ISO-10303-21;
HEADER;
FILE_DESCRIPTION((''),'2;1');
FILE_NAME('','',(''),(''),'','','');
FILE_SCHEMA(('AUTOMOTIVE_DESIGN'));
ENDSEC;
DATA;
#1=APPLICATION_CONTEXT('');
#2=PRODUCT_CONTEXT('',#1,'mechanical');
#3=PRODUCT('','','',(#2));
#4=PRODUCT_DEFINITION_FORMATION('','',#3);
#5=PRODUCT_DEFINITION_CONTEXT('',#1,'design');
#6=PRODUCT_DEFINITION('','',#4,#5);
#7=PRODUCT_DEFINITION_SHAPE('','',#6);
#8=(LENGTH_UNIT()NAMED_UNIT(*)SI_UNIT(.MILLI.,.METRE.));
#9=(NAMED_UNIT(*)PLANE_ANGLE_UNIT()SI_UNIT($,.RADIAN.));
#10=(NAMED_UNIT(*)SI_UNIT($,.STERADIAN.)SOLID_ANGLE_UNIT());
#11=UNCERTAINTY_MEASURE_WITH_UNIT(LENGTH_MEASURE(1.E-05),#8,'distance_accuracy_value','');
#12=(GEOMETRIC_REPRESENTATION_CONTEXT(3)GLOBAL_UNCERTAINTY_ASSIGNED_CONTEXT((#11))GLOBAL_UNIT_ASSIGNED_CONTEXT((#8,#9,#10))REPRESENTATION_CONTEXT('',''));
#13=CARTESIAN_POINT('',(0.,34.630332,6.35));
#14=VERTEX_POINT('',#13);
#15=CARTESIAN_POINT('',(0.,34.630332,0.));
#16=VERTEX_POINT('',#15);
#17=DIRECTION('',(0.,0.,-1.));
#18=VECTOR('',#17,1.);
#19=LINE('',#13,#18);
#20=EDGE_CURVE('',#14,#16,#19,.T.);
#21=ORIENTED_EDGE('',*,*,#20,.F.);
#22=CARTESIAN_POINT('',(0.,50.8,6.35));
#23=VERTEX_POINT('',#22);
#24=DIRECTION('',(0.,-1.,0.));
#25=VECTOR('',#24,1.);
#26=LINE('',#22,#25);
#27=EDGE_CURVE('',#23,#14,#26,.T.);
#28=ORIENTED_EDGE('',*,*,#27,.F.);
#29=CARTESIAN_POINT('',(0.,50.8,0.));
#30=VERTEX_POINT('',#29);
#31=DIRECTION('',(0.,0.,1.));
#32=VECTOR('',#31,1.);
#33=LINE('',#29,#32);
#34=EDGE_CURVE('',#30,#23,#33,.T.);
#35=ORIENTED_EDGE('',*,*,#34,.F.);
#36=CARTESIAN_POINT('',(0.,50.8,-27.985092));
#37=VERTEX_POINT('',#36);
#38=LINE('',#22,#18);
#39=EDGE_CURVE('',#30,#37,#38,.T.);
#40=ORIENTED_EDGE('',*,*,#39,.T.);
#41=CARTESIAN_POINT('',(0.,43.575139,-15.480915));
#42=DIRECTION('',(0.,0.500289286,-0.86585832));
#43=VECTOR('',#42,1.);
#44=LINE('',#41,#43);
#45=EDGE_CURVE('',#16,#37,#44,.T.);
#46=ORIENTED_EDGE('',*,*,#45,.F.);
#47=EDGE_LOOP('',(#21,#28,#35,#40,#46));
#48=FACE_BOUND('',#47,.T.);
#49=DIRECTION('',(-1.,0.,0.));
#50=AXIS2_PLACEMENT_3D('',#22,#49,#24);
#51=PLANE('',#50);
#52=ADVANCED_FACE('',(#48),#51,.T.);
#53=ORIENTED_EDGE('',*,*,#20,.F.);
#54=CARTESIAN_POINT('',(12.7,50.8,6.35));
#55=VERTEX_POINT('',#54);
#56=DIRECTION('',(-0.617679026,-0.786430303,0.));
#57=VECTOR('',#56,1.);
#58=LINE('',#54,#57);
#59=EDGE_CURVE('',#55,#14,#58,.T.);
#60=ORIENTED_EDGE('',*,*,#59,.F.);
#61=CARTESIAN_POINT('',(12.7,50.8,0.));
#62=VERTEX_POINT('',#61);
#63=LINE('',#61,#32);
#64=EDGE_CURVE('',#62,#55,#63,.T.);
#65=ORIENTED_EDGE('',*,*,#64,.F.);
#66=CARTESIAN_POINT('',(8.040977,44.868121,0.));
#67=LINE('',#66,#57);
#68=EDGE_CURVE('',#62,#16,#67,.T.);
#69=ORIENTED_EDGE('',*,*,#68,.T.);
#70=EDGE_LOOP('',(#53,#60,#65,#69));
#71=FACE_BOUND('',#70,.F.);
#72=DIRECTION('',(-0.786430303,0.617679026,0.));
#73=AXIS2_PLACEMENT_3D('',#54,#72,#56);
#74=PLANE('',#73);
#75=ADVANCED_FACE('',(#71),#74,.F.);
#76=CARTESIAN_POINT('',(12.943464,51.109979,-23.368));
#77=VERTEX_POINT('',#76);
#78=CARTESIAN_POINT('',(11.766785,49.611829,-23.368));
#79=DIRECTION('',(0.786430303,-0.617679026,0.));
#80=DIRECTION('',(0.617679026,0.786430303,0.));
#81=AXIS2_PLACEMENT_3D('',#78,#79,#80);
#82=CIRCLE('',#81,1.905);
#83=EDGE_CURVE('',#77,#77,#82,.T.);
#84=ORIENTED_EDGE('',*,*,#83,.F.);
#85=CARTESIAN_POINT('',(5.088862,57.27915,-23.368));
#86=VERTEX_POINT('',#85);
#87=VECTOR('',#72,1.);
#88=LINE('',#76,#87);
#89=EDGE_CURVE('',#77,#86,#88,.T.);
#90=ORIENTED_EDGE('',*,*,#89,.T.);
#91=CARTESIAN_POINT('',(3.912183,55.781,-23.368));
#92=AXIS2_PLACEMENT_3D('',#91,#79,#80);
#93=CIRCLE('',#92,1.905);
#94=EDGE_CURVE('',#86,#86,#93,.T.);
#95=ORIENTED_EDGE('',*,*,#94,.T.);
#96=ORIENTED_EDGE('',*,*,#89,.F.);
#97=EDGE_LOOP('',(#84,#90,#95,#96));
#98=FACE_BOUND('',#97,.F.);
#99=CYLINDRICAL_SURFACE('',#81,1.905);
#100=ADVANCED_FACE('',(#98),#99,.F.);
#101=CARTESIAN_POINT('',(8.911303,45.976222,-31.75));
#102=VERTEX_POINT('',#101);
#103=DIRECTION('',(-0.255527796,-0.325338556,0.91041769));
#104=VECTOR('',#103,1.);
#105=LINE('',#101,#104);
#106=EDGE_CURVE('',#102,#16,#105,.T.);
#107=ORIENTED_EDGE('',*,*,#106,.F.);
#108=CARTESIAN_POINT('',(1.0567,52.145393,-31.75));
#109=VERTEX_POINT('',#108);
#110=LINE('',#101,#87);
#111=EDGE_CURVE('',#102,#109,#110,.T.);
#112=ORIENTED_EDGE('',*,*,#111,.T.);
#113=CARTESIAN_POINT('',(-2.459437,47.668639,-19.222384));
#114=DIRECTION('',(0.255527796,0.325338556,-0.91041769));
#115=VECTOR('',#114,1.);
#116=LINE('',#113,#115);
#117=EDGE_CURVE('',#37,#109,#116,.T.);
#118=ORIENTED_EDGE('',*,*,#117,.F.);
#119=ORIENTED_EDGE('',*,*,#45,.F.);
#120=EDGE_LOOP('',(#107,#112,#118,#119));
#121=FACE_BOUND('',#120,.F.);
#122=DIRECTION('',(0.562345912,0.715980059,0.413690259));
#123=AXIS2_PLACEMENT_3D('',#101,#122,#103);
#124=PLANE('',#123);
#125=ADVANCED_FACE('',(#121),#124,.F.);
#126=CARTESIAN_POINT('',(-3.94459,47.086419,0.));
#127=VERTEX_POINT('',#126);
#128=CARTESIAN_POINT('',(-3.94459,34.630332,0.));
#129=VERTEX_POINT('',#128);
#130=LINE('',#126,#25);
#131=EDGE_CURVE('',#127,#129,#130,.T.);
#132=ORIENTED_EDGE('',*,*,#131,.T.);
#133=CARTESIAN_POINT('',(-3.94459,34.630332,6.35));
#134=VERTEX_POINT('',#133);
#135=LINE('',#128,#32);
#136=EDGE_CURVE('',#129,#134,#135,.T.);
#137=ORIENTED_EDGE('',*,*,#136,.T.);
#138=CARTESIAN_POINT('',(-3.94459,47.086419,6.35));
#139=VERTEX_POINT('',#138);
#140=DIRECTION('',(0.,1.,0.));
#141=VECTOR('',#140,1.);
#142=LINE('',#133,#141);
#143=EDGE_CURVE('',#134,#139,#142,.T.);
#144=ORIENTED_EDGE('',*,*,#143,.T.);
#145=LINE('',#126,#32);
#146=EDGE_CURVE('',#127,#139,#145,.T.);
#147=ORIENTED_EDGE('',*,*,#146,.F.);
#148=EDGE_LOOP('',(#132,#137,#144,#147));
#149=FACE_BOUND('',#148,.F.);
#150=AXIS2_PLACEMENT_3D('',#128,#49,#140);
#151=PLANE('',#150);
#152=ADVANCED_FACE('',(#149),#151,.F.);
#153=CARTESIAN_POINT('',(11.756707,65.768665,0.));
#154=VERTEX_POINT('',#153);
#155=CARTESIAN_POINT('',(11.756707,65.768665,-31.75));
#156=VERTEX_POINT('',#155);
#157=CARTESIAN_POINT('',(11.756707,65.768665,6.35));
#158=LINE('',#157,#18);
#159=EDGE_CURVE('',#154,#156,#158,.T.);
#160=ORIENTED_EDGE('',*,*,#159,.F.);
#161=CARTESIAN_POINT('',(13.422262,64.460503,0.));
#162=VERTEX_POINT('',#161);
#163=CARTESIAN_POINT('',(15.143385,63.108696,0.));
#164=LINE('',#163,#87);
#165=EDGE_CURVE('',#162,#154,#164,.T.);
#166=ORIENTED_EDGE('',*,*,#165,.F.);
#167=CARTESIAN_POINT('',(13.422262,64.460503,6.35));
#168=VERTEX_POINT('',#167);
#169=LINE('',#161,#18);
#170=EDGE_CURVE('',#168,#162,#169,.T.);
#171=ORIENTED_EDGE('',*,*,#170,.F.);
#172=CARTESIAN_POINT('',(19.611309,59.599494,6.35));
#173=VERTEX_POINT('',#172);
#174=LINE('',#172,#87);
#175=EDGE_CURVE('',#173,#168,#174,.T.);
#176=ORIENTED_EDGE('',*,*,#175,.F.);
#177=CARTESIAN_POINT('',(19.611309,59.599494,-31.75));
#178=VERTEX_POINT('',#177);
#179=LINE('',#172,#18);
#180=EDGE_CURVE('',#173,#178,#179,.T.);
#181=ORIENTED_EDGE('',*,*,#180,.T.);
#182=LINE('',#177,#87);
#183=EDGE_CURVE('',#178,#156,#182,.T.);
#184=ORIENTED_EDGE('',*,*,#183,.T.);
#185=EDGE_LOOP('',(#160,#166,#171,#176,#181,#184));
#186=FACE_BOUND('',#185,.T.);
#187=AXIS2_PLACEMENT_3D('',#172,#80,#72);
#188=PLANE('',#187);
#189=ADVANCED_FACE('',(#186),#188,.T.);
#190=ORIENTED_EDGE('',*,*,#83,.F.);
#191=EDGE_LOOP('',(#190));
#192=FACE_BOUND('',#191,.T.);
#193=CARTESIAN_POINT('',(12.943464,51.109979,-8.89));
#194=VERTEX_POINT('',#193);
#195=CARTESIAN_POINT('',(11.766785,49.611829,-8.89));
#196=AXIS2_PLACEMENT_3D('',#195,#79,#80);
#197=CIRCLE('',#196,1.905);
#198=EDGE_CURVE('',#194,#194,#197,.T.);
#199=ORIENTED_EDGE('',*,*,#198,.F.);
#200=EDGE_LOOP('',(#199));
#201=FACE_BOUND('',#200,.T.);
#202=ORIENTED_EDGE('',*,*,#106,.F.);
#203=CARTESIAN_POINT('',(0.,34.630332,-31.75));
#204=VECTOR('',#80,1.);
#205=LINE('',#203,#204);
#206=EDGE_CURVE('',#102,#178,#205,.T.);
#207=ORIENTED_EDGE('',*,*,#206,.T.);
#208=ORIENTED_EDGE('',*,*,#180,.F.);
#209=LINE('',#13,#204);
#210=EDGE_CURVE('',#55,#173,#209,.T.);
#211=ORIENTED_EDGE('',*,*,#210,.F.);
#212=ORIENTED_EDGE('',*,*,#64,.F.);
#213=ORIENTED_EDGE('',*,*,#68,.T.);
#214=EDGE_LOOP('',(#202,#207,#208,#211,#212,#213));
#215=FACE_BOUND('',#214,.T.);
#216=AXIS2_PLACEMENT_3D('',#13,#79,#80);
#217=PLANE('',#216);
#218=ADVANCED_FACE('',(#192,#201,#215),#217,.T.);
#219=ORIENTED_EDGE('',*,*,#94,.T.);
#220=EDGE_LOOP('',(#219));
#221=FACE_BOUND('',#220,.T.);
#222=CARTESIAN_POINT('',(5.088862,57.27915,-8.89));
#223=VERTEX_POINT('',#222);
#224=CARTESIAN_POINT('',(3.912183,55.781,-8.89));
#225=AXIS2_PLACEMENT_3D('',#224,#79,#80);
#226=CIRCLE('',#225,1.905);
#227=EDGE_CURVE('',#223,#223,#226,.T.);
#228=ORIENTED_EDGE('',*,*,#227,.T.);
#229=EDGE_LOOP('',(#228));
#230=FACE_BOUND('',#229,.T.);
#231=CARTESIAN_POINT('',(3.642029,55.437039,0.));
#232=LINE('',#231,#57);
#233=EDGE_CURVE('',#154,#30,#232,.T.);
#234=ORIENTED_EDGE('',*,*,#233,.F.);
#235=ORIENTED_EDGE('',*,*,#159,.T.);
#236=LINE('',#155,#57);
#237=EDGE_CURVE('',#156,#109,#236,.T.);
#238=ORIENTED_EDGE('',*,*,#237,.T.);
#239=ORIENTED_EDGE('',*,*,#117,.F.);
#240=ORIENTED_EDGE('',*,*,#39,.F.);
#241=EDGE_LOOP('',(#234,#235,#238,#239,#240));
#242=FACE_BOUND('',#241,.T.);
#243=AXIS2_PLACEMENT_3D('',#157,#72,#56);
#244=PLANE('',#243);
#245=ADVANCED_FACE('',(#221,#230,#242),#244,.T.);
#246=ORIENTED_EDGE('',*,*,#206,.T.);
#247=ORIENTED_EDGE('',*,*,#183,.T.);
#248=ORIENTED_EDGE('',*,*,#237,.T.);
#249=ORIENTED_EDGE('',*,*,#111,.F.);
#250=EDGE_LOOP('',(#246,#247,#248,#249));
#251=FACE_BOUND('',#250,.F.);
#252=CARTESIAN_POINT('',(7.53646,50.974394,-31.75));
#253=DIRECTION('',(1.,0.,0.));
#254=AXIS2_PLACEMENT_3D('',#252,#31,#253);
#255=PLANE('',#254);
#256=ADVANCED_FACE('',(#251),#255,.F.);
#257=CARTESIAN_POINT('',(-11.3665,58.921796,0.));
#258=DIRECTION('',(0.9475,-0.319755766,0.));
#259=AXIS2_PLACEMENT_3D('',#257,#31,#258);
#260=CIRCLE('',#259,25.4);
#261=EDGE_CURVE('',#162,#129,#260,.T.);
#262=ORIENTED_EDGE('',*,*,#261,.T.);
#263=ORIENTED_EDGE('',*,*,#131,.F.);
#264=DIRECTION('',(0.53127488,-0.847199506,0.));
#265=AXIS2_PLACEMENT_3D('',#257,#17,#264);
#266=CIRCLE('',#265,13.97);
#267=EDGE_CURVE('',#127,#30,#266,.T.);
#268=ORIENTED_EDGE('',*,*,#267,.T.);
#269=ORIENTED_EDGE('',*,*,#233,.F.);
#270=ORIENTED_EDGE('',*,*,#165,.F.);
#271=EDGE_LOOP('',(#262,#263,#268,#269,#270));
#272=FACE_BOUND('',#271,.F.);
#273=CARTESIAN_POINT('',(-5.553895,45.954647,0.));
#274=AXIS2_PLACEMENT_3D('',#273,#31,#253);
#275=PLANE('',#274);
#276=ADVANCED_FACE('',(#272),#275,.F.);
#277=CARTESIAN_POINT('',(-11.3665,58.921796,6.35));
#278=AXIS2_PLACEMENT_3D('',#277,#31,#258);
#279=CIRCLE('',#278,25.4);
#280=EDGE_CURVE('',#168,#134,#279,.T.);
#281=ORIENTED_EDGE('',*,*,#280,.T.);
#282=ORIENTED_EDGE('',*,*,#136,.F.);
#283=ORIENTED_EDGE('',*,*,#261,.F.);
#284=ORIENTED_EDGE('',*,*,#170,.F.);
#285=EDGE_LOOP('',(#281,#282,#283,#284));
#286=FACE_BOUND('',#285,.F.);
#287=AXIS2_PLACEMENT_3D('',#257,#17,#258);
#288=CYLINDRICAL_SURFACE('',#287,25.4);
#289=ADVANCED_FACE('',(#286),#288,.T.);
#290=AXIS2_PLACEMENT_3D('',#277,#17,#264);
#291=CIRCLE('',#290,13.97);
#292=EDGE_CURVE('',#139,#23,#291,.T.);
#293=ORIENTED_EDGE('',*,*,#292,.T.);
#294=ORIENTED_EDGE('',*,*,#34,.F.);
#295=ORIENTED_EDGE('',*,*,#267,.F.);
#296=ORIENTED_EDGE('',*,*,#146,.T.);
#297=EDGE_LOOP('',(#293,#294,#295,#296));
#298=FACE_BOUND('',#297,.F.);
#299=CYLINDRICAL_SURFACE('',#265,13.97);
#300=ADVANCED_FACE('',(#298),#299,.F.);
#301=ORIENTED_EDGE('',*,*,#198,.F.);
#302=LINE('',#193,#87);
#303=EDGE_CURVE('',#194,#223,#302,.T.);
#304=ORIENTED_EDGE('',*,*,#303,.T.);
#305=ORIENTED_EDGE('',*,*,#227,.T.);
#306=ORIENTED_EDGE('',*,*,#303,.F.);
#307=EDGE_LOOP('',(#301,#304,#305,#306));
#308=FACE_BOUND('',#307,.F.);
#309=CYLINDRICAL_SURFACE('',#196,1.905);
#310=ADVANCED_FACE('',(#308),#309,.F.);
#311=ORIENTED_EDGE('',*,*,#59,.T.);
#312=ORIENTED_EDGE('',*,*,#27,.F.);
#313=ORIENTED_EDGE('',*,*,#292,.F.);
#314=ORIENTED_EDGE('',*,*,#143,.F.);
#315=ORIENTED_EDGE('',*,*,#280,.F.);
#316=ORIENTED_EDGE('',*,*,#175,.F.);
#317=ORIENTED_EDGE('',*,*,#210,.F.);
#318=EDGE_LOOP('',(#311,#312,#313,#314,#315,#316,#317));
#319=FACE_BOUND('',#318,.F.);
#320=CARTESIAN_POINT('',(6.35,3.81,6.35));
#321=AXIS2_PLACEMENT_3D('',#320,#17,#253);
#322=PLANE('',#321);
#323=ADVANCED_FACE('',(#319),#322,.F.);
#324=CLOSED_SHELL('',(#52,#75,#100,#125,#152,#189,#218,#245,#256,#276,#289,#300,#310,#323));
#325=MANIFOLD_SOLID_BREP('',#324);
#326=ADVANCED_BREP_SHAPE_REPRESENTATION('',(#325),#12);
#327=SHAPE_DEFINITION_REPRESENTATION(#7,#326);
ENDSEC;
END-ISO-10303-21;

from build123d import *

# Parameters (mm, degrees)
F1_DEPTH      = 6.35
F2_W          = 25.4
F2_H          = 7.62
F3_DEPTH      = 50.8
F3_DEPTH_BACK = 6.35
F4_R          = 1.905
F5_DEPTH      = 25.4
F6_W          = 25.4
F6_H          = 12.7
F7_DEPTH      = 25.4
F9_DEPTH      = 50.8
F11_DEPTH     = 38.1
F12_R         = 1.905
F13_DEPTH     = 25.4
F15_DEPTH     = 25.4


with BuildPart() as f1:
    # F0 (on Top) → F1 (new body)
    with BuildSketch(Plane.XY):
        with BuildLine():
            Line((0, 50.8), (0, 0))
            Line((0, 0), (12.7, 0))
            Line((12.7, 0), (12.7, 50.8))
            ThreePointArc((12.7, 50.8), (-29.065215599, 77.1403437723), (-3.9445899309, 34.6303318914))
            Line((-3.9445899309, 34.6303318914), (-3.9445899309, 47.0864193681))
            ThreePointArc((-3.9445899309, 47.0864193681), (-20.9424468727, 69.0934306211), (0, 50.8))
        make_face()
    extrude(amount=F1_DEPTH)

    # F2 (on face) → F3 (join, two sides)
    with BuildSketch(Plane(origin=(0, 0, 0), x_dir=(1, 0, 0), z_dir=(0, 0, -1))) as f3_sk:
        with Locations((6.35, -3.81)):
            Rectangle(F2_W, F2_H)
    extrude(amount=F3_DEPTH)
    extrude(f3_sk.sketch, amount=-F3_DEPTH_BACK)

    # F4 (on face) → F5 (cut)
    with BuildSketch(Plane.XZ):
        with Locations((6.35, -8.89)):
            Circle(F4_R)
        with Locations((6.35, -23.368)):
            Circle(F4_R)
    extrude(amount=-F5_DEPTH, mode=Mode.SUBTRACT)

    # F6 (on face) → F7 (cut)
    with BuildSketch(Plane(origin=(0, 7.62, 0), x_dir=(-1, 0, 0), z_dir=(0, 1, 0))):
        with Locations((-6.35, -44.45)):
            Rectangle(F6_W, F6_H)
    extrude(amount=-F7_DEPTH, mode=Mode.SUBTRACT)

    # F8 (on face) → F9 (cut)
    with BuildSketch(Plane.XY.offset(6.35)):
        Polygon((12.7, 50.8), (0, 34.6303318914), (0, 17.3151659457), (-24.9700341374, 14.0488371253), (-24.9700341374, -25.5910921842), (41.8248102069, -22.4698372185), (37.4550558627, 0), (37.4550558627, 34.6303318914), align=None)
    extrude(amount=-F9_DEPTH, mode=Mode.SUBTRACT)

    # F10 (on face) → F11 (join)
    with BuildSketch(Plane.XY.offset(6.35)):
        Polygon((0, 50.8), (0, 34.6303318914), (19.6113090693, 59.5994940036), (11.7567067815, 65.7686650951), align=None)
    extrude(amount=-F11_DEPTH)

    # F12 (on face) → F13 (cut)
    with BuildSketch(Plane(origin=(-16.8220820781, 13.2124197576, 0), x_dir=(0.6176790258, 0.7864303027, 0), z_dir=(0.7864303027, -0.6176790258, 0))):
        with Locations((46.2843423936, -8.89)):
            Circle(F12_R)
        with Locations((46.2843423936, -23.368)):
            Circle(F12_R)
    extrude(amount=-F13_DEPTH, mode=Mode.SUBTRACT)

    # F14 (on face) → F15 (cut)
    with BuildSketch(Plane(origin=(-16.8220820781, 13.2124197576, 0), x_dir=(0.6176790258, 0.7864303027, 0), z_dir=(0.7864303027, -0.6176790258, 0))):
        Polygon((27.2343423936, -31.75), (41.6614189744, -31.75), (27.2343423936, 0), align=None)
    extrude(amount=-F15_DEPTH, mode=Mode.SUBTRACT)


solid = f1.part
